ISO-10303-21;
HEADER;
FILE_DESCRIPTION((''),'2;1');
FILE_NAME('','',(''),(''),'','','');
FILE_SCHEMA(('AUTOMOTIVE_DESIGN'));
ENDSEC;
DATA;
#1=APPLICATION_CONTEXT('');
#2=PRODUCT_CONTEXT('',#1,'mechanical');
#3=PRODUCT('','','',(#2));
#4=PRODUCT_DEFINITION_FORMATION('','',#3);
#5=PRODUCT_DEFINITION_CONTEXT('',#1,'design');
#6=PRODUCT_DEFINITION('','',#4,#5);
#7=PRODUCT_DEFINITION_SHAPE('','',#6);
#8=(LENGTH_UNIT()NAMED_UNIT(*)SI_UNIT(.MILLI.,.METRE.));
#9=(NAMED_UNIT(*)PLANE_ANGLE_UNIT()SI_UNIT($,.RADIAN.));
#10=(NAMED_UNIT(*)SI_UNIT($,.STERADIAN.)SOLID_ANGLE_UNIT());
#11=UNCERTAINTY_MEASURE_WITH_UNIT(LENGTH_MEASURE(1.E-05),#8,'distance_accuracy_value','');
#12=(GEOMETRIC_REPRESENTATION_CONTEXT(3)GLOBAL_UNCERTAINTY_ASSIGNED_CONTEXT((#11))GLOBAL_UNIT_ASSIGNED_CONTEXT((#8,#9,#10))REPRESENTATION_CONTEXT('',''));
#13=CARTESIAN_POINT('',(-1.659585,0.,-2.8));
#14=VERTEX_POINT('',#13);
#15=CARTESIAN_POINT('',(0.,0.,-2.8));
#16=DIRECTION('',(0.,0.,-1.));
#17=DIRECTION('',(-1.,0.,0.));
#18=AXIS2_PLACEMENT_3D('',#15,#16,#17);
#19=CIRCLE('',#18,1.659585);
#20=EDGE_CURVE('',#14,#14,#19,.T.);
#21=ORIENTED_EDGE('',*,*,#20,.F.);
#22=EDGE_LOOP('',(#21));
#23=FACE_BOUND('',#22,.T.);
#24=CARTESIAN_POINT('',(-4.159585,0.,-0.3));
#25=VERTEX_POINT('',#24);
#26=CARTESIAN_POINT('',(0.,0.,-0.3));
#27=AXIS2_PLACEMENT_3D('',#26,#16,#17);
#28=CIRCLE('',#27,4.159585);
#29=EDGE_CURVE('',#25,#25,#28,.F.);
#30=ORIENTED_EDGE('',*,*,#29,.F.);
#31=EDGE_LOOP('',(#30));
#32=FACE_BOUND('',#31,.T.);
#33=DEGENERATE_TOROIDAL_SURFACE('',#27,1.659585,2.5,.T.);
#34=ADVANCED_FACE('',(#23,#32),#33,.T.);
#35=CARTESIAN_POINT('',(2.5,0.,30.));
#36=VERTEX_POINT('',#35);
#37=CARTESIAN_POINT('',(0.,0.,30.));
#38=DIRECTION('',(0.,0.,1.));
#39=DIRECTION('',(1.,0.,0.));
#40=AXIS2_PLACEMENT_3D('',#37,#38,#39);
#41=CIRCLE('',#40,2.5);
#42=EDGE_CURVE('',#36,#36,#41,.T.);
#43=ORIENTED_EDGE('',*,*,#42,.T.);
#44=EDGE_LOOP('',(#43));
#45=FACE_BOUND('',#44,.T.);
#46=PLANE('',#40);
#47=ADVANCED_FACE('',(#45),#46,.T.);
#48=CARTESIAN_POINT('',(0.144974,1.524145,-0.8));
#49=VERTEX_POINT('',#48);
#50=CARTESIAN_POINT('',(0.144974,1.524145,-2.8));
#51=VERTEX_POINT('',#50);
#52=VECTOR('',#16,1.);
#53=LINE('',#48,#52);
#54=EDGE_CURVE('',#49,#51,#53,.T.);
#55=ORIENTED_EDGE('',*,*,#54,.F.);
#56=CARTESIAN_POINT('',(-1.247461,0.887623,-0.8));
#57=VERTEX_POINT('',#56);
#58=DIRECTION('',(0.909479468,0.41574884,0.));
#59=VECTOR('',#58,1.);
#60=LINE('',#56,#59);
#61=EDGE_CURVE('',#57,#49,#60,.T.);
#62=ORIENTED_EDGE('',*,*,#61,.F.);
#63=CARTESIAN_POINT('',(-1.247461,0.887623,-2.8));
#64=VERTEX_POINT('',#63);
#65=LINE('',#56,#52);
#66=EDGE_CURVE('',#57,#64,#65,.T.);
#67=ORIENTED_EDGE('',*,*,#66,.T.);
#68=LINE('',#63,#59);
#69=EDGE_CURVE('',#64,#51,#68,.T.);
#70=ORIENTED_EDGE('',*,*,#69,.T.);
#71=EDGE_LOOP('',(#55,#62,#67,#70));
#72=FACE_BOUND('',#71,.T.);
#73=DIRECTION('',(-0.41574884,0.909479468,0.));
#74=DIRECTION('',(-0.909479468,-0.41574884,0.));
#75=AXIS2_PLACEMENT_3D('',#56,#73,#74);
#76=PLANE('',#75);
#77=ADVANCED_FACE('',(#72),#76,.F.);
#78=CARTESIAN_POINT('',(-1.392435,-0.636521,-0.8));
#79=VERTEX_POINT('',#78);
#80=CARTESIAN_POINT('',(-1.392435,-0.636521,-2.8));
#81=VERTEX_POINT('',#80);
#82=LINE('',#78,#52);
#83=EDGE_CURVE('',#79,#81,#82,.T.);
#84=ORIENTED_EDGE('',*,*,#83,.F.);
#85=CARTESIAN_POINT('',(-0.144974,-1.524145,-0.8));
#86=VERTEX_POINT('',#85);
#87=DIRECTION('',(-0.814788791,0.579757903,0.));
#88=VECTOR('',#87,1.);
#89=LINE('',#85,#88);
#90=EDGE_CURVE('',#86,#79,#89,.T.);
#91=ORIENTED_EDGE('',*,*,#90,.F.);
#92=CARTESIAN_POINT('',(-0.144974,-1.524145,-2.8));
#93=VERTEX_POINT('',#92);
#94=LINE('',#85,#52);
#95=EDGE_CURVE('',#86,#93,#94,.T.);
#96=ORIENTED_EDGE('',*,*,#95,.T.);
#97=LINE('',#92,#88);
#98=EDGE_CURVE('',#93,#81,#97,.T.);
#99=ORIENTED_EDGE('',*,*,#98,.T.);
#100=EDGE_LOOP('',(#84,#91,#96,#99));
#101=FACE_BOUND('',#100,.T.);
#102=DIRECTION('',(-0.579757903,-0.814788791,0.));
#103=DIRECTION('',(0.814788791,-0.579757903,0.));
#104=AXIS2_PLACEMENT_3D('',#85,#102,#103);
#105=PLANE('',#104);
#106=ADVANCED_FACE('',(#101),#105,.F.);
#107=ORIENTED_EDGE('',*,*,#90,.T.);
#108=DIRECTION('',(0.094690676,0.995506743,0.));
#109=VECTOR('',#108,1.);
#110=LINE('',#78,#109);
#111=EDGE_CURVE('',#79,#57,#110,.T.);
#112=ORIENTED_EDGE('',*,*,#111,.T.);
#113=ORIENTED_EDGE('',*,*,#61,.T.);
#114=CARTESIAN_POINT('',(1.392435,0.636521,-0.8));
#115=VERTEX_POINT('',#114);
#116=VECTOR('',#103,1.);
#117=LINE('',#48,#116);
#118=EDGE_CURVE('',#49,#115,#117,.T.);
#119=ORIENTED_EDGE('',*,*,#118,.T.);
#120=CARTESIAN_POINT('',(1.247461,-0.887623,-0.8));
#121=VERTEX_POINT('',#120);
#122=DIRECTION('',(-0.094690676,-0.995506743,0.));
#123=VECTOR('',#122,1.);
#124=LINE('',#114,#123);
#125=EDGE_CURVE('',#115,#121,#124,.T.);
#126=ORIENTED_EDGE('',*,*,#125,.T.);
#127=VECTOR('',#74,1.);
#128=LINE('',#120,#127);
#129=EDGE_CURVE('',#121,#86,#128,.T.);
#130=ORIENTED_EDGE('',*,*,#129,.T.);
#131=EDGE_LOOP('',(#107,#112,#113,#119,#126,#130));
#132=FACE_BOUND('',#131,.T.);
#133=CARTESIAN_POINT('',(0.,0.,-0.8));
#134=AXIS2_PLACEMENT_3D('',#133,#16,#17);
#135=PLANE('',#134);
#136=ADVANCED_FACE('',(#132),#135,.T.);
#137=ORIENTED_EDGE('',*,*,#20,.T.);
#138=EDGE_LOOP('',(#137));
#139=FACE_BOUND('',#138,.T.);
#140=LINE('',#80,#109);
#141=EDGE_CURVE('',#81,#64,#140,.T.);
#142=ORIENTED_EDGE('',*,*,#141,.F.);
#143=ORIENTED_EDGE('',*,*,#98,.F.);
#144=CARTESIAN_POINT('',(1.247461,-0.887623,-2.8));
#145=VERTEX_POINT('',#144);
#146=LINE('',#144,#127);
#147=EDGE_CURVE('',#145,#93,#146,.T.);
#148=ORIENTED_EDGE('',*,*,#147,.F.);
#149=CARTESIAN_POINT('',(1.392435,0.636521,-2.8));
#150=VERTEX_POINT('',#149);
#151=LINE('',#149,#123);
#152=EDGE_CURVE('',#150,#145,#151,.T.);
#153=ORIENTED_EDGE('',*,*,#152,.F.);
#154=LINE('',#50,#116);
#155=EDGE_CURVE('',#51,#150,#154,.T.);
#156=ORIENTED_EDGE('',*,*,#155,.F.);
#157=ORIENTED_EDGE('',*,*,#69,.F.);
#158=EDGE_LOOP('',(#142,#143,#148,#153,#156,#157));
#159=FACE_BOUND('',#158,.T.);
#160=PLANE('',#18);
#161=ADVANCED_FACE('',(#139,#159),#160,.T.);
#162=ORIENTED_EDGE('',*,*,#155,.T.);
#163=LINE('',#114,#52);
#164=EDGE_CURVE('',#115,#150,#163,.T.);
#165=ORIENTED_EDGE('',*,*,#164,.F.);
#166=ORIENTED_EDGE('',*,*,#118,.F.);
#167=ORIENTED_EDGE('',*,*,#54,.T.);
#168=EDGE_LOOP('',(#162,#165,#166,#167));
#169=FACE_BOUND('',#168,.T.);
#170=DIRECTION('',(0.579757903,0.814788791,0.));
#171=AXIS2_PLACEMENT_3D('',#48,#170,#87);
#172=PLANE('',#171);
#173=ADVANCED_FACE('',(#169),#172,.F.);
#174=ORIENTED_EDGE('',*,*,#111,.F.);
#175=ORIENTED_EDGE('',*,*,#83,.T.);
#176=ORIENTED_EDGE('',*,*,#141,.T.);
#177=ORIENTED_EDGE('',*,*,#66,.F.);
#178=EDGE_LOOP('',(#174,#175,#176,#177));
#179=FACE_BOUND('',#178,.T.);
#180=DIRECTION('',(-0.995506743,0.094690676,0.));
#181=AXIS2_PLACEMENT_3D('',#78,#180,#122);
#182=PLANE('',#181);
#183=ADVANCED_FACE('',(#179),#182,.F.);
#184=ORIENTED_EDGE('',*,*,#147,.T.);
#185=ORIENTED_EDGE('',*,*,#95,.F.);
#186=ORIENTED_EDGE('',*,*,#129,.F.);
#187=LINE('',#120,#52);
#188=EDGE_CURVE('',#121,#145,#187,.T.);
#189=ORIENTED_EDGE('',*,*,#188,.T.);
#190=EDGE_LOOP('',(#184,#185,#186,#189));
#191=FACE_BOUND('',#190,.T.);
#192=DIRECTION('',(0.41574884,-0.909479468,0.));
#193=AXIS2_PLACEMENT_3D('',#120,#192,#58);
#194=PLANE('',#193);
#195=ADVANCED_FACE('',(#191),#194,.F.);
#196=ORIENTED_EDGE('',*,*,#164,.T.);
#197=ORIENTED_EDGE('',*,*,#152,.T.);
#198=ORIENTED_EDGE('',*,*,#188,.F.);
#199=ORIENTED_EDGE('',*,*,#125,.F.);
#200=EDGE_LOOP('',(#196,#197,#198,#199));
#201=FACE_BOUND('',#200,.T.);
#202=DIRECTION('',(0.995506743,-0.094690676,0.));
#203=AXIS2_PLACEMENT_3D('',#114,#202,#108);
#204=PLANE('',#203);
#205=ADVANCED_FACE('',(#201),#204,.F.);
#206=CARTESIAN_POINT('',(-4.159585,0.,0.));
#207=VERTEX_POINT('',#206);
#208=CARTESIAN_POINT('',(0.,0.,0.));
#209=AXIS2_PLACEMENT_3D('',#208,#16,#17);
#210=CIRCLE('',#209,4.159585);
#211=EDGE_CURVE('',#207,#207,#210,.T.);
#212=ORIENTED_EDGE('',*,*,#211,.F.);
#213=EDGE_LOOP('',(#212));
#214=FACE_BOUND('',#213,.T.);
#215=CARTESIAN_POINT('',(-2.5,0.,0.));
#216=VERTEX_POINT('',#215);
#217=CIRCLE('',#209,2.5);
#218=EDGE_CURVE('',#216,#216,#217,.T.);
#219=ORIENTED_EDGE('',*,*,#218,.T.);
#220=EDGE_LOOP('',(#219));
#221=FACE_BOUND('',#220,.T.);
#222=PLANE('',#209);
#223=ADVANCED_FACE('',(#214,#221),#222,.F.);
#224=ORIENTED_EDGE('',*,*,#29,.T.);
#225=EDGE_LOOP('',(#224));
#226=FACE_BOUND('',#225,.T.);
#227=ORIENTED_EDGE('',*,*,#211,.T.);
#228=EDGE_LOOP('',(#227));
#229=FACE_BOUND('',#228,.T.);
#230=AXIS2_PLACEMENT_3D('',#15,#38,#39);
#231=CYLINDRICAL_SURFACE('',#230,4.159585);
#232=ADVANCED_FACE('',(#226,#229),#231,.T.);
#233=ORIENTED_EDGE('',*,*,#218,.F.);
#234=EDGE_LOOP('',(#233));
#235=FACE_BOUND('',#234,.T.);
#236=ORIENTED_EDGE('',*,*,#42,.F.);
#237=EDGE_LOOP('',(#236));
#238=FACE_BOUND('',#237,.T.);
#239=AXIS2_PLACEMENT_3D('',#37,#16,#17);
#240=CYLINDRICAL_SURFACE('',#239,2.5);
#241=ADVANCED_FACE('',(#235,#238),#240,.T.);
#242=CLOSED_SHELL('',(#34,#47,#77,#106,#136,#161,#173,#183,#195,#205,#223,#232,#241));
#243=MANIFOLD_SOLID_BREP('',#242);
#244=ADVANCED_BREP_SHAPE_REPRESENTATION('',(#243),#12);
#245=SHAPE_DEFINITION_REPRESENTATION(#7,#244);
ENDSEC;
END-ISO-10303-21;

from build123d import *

# Parameters (mm, degrees)
SKETCH1_R           = 2.5
BOSS_EXTRUDE1_DEPTH = 30
SKETCH2_R           = 4.159584877
BOSS_EXTRUDE2_DEPTH = 2.8
FILLET1_R           = 2.5
CUT_EXTRUDE1_DEPTH  = 2


with BuildPart() as part:
    # Sketch1 → Boss-Extrude1 (new body)
    with BuildSketch(Plane.XY):
        Circle(SKETCH1_R)
    extrude(amount=BOSS_EXTRUDE1_DEPTH)

    # Sketch2 → Boss-Extrude2 (add)
    with BuildSketch(Plane(origin=(0, 0, 0), x_dir=(-1, 0, 0), z_dir=(0, 0, -1))):
        Circle(SKETCH2_R)
    extrude(amount=BOSS_EXTRUDE2_DEPTH)

    # Fillet1
    fillet1_edges = [part.edges().sort_by_distance(p)[0] for p in [
        (4.159584877, 0, -2.8),
    ]]
    fillet(fillet1_edges, radius=FILLET1_R)

    # Sketch3 → Cut-Extrude1 (cut)
    with BuildSketch(Plane(origin=(0, 0, -2.8), x_dir=(-1, 0, 0), z_dir=(0, 0, -1))):
        Polygon((1.392434699, -0.636521364), (1.247461021, 0.88762314), (-0.144973678, 1.524144504), (-1.392434699, 0.636521364), (-1.247461021, -0.88762314), (0.144973678, -1.524144504), align=None)
    extrude(amount=-CUT_EXTRUDE1_DEPTH, mode=Mode.SUBTRACT)


solid = part.part
